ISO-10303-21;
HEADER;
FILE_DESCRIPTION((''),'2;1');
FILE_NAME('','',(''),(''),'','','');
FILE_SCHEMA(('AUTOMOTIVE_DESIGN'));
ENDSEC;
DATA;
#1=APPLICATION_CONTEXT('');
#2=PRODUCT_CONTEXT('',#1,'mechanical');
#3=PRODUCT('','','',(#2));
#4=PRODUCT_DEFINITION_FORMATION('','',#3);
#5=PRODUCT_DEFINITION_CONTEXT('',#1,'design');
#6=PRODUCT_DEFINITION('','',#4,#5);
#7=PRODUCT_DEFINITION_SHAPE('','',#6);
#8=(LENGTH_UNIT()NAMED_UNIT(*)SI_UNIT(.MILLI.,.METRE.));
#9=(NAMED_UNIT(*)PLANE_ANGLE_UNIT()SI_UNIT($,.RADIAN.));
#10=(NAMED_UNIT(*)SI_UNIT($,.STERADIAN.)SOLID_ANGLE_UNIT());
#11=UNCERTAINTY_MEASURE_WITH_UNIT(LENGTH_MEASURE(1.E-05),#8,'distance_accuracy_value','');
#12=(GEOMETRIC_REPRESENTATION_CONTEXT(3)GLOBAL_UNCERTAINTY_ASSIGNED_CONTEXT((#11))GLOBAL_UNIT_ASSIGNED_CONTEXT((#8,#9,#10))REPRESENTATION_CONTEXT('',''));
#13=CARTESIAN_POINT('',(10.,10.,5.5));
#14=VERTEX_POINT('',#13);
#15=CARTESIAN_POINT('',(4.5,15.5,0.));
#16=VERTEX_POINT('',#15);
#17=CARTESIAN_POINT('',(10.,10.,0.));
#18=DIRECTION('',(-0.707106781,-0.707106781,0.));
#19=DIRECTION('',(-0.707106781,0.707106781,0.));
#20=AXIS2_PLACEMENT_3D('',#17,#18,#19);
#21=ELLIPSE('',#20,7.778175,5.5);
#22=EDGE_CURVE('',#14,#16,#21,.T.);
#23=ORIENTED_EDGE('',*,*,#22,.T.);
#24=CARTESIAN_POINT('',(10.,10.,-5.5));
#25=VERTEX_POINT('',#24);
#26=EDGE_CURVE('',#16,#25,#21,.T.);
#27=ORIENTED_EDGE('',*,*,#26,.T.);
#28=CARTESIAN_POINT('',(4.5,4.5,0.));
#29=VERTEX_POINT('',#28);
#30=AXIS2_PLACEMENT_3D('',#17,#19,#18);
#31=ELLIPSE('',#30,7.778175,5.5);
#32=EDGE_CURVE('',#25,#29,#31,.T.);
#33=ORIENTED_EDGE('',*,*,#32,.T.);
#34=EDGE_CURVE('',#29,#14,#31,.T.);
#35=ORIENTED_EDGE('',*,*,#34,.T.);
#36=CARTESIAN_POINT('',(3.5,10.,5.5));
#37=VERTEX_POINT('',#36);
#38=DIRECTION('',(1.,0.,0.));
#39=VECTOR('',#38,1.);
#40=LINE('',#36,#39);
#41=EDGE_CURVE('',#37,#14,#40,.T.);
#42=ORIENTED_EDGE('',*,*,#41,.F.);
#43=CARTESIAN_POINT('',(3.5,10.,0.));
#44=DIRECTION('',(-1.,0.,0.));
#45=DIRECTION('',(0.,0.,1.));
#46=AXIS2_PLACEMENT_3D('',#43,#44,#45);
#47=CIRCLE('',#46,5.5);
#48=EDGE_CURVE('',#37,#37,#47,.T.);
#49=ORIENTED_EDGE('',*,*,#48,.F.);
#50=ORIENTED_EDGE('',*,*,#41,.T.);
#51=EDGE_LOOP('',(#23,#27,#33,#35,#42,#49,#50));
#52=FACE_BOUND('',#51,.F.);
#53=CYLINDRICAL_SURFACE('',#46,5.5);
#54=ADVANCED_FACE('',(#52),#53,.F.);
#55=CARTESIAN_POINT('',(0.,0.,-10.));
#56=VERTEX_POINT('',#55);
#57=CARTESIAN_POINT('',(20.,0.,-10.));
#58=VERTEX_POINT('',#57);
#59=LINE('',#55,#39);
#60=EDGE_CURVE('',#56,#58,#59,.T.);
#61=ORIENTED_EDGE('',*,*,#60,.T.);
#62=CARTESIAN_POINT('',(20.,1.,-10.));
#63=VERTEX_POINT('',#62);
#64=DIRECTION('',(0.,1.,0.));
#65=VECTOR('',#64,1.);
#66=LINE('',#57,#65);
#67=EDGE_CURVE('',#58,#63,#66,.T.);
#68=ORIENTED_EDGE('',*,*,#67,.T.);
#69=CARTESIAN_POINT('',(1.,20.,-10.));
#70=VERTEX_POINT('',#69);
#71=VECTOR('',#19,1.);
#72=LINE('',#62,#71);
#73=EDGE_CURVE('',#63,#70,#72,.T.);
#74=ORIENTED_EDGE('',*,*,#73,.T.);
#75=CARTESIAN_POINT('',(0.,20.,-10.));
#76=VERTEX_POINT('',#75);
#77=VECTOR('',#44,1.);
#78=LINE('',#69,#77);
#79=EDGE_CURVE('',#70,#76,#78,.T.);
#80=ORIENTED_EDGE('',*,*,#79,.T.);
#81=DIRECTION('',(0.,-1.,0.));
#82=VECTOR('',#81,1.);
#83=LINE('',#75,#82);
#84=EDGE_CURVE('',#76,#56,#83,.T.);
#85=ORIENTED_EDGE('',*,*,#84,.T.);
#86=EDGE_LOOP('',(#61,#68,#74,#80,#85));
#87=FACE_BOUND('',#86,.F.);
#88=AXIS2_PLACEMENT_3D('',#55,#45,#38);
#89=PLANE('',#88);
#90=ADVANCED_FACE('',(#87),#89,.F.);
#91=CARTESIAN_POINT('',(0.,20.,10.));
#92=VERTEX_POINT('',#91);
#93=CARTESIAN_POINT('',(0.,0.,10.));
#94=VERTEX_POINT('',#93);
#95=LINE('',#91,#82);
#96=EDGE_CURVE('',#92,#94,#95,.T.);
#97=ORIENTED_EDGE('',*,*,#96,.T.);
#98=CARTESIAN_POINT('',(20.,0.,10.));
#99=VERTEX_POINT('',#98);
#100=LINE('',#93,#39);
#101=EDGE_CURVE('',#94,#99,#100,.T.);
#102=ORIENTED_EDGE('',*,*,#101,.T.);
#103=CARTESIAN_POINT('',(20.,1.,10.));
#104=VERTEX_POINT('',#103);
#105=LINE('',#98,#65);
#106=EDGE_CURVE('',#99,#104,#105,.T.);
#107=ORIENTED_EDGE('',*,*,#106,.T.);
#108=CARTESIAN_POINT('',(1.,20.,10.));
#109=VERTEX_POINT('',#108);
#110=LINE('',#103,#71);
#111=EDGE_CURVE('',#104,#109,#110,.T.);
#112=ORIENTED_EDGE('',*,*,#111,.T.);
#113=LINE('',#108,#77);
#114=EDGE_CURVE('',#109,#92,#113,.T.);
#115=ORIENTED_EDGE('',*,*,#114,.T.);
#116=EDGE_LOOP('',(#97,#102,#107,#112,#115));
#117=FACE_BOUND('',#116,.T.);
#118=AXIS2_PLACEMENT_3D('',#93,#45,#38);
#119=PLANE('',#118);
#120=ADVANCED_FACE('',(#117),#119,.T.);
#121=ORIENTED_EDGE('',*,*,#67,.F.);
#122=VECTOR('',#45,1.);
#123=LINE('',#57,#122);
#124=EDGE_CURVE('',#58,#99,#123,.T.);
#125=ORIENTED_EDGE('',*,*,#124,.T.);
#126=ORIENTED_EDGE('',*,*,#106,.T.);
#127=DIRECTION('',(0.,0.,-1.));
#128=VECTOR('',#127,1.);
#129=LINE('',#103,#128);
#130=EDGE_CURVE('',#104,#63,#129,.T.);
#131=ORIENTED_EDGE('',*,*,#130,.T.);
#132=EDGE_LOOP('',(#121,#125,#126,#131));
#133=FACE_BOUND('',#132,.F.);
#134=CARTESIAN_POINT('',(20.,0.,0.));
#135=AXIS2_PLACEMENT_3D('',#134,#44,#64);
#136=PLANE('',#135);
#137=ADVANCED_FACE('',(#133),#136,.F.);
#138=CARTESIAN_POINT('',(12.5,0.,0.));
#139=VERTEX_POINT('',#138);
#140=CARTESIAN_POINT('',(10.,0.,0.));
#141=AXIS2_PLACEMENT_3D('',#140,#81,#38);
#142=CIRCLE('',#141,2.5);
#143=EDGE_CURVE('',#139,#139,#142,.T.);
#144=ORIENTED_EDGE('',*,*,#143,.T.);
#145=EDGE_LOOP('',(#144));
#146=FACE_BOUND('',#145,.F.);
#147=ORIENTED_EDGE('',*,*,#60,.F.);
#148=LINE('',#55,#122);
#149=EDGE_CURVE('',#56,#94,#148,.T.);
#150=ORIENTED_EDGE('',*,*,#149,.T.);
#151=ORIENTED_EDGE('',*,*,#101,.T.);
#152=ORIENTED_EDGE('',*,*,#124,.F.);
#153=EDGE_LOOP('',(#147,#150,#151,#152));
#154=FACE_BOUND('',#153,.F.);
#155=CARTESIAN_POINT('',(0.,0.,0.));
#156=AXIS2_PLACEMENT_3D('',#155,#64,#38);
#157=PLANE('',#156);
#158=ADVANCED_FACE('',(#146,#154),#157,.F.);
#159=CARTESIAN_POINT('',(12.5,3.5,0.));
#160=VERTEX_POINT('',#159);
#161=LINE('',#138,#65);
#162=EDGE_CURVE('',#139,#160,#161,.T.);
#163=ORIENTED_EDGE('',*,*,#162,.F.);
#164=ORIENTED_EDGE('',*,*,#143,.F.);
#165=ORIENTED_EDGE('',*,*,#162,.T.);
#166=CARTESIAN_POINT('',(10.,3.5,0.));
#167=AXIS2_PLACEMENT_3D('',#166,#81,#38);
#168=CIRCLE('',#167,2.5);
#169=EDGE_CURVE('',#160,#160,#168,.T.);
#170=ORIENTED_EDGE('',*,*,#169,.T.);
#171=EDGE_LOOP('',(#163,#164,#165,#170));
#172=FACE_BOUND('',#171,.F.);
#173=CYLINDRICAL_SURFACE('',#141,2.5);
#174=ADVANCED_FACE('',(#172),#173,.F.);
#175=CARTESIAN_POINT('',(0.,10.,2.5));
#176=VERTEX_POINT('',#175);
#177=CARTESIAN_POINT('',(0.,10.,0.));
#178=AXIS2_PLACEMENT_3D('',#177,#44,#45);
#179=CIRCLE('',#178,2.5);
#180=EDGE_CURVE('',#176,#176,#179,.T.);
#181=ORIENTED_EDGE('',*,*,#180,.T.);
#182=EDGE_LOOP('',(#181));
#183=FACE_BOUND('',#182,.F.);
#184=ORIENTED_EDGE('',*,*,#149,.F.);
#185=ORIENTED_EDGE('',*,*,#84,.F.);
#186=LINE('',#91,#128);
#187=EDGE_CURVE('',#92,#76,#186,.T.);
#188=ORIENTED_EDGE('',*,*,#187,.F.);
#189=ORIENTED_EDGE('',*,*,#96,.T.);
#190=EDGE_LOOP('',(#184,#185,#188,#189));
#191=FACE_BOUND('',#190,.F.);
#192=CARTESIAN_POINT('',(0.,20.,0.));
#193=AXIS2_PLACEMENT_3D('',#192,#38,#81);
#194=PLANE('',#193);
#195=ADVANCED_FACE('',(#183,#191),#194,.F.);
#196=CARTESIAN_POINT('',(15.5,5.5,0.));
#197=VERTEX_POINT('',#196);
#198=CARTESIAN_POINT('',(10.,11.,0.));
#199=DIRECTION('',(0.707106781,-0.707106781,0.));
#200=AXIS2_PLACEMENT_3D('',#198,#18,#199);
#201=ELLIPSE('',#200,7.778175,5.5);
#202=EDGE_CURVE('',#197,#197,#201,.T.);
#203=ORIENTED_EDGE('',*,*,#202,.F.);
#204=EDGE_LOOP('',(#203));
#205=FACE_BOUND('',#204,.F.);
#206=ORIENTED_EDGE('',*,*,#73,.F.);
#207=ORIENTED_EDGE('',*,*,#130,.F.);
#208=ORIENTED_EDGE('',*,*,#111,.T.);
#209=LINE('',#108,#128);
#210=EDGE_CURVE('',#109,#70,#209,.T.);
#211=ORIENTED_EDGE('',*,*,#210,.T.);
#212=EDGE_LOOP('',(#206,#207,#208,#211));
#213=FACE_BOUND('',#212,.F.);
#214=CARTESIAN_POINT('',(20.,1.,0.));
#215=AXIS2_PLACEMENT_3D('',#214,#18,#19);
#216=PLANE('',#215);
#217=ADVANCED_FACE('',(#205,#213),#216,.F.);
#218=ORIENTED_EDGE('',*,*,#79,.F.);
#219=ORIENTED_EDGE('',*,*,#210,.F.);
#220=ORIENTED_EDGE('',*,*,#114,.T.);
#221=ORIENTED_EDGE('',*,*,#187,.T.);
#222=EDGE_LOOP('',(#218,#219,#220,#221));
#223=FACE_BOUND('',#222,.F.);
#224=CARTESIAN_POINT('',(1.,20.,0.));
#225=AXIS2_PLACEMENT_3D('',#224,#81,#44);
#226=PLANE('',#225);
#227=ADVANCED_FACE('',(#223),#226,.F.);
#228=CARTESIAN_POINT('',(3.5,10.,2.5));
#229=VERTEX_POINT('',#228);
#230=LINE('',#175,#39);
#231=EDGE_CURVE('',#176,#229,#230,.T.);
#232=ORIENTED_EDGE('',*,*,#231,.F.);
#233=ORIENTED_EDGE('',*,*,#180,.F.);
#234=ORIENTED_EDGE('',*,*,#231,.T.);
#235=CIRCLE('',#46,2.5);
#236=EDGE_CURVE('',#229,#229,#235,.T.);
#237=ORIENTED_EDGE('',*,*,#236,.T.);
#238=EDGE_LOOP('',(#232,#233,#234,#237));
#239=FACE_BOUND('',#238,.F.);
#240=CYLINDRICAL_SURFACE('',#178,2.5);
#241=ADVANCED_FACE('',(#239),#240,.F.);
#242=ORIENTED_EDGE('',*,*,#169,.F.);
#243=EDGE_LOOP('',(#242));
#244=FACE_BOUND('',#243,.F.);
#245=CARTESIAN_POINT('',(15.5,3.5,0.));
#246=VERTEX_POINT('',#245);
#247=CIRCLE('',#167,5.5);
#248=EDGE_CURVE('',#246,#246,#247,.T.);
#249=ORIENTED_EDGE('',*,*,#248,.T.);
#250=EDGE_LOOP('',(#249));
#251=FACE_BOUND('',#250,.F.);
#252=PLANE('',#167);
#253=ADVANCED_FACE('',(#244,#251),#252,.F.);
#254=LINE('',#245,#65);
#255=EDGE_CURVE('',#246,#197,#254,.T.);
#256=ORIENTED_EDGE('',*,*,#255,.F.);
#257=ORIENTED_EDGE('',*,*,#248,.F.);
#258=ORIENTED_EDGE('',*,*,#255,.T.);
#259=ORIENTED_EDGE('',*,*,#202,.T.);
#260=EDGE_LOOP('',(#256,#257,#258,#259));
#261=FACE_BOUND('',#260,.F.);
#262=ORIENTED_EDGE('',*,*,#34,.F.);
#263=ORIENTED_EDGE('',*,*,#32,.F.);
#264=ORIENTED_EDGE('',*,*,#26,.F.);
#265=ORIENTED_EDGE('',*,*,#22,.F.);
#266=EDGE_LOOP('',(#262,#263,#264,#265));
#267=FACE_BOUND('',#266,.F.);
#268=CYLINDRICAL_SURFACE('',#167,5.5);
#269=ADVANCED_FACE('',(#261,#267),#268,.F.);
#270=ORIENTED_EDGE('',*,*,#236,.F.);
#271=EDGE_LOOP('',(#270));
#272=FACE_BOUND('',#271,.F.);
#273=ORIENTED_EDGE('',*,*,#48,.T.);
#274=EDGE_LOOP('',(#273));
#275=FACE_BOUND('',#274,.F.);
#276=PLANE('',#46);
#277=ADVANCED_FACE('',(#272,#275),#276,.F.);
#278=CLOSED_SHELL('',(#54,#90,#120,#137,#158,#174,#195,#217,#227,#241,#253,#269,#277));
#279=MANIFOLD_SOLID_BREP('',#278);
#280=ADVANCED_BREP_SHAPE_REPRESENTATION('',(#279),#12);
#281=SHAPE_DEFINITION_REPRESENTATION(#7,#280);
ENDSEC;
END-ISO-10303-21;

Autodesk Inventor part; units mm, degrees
ref_plane "YZ Plane" through (0, 0, 0) normal (1, 0, 0) x (0, 1, 0)
ref_plane "XZ Plane" through (0, 0, 0) normal (0, 1, 0) x (-1, 0, 0)
ref_plane "XY Plane" through (0, 0, 0) normal (0, 0, 1) x (1, 0, 0)
sketch "Sketch1" plane through (0, 0, 0) normal (0, 0, 1) x (1, 0, 0)
  line L0 (0, 0) -> (20, 0)
  line L1 (20, 0) -> (20, 1)
  line L2 (20, 1) -> (1, 20)
  line L3 (1, 20) -> (0, 20)
  line L4 (0, 20) -> (0, 0)
  dimension "d0" = 135
  dimension "d1" = 20
  dimension "d2" = 20
  dimension "d3" = 1
extrude "Extrusion1" add sketch "Sketch1" along normal mid plane 20
sketch "Sketch2" plane through (0, 0, 10) normal (0, -1, 0) x (1, 0, 0)
  circle A0 centre (10, -10) radius 2.5
  point P0 (0, -10)
  dimension "d6" = 5
extrude "Extrusion2" cut sketch "Sketch2" against normal blind 3.5
sketch "Sketch3" plane through (10, 3.5, 0) normal (0, -1, 0) x (1, 0, 0)
  circle A0 centre (0, 0) radius 2.5 projected
  circle A1 centre (0, 0) radius 5.5
  point P0 (-10, 0)
  dimension "d9" = 11
extrude "Extrusion3" cut sketch "Sketch3" against normal up to next contours A0 | A1
sketch "Sketch4" plane through (0, 0, 10) normal (-1, 0, 0) x (0, 0, 1)
  circle A0 centre (-10, 10) radius 2.5
  point P0 (-10, 0)
  dimension "d12" = 5
extrude "Extrusion4" cut sketch "Sketch4" against normal blind 3.5
sketch "Sketch5" plane through (3.5, 10, 0) normal (-1, 0, 0) x (0, 0, 1)
  circle A0 centre (0, 0) radius 2.5 projected
  circle A1 centre (0, 0) radius 5.5
  point P0 (0, -10)
  dimension "d15" = 11
extrude "Extrusion5" cut sketch "Sketch5" against normal up to next contours A0 | A1
properties part number "Black Angle Corner Connector"
